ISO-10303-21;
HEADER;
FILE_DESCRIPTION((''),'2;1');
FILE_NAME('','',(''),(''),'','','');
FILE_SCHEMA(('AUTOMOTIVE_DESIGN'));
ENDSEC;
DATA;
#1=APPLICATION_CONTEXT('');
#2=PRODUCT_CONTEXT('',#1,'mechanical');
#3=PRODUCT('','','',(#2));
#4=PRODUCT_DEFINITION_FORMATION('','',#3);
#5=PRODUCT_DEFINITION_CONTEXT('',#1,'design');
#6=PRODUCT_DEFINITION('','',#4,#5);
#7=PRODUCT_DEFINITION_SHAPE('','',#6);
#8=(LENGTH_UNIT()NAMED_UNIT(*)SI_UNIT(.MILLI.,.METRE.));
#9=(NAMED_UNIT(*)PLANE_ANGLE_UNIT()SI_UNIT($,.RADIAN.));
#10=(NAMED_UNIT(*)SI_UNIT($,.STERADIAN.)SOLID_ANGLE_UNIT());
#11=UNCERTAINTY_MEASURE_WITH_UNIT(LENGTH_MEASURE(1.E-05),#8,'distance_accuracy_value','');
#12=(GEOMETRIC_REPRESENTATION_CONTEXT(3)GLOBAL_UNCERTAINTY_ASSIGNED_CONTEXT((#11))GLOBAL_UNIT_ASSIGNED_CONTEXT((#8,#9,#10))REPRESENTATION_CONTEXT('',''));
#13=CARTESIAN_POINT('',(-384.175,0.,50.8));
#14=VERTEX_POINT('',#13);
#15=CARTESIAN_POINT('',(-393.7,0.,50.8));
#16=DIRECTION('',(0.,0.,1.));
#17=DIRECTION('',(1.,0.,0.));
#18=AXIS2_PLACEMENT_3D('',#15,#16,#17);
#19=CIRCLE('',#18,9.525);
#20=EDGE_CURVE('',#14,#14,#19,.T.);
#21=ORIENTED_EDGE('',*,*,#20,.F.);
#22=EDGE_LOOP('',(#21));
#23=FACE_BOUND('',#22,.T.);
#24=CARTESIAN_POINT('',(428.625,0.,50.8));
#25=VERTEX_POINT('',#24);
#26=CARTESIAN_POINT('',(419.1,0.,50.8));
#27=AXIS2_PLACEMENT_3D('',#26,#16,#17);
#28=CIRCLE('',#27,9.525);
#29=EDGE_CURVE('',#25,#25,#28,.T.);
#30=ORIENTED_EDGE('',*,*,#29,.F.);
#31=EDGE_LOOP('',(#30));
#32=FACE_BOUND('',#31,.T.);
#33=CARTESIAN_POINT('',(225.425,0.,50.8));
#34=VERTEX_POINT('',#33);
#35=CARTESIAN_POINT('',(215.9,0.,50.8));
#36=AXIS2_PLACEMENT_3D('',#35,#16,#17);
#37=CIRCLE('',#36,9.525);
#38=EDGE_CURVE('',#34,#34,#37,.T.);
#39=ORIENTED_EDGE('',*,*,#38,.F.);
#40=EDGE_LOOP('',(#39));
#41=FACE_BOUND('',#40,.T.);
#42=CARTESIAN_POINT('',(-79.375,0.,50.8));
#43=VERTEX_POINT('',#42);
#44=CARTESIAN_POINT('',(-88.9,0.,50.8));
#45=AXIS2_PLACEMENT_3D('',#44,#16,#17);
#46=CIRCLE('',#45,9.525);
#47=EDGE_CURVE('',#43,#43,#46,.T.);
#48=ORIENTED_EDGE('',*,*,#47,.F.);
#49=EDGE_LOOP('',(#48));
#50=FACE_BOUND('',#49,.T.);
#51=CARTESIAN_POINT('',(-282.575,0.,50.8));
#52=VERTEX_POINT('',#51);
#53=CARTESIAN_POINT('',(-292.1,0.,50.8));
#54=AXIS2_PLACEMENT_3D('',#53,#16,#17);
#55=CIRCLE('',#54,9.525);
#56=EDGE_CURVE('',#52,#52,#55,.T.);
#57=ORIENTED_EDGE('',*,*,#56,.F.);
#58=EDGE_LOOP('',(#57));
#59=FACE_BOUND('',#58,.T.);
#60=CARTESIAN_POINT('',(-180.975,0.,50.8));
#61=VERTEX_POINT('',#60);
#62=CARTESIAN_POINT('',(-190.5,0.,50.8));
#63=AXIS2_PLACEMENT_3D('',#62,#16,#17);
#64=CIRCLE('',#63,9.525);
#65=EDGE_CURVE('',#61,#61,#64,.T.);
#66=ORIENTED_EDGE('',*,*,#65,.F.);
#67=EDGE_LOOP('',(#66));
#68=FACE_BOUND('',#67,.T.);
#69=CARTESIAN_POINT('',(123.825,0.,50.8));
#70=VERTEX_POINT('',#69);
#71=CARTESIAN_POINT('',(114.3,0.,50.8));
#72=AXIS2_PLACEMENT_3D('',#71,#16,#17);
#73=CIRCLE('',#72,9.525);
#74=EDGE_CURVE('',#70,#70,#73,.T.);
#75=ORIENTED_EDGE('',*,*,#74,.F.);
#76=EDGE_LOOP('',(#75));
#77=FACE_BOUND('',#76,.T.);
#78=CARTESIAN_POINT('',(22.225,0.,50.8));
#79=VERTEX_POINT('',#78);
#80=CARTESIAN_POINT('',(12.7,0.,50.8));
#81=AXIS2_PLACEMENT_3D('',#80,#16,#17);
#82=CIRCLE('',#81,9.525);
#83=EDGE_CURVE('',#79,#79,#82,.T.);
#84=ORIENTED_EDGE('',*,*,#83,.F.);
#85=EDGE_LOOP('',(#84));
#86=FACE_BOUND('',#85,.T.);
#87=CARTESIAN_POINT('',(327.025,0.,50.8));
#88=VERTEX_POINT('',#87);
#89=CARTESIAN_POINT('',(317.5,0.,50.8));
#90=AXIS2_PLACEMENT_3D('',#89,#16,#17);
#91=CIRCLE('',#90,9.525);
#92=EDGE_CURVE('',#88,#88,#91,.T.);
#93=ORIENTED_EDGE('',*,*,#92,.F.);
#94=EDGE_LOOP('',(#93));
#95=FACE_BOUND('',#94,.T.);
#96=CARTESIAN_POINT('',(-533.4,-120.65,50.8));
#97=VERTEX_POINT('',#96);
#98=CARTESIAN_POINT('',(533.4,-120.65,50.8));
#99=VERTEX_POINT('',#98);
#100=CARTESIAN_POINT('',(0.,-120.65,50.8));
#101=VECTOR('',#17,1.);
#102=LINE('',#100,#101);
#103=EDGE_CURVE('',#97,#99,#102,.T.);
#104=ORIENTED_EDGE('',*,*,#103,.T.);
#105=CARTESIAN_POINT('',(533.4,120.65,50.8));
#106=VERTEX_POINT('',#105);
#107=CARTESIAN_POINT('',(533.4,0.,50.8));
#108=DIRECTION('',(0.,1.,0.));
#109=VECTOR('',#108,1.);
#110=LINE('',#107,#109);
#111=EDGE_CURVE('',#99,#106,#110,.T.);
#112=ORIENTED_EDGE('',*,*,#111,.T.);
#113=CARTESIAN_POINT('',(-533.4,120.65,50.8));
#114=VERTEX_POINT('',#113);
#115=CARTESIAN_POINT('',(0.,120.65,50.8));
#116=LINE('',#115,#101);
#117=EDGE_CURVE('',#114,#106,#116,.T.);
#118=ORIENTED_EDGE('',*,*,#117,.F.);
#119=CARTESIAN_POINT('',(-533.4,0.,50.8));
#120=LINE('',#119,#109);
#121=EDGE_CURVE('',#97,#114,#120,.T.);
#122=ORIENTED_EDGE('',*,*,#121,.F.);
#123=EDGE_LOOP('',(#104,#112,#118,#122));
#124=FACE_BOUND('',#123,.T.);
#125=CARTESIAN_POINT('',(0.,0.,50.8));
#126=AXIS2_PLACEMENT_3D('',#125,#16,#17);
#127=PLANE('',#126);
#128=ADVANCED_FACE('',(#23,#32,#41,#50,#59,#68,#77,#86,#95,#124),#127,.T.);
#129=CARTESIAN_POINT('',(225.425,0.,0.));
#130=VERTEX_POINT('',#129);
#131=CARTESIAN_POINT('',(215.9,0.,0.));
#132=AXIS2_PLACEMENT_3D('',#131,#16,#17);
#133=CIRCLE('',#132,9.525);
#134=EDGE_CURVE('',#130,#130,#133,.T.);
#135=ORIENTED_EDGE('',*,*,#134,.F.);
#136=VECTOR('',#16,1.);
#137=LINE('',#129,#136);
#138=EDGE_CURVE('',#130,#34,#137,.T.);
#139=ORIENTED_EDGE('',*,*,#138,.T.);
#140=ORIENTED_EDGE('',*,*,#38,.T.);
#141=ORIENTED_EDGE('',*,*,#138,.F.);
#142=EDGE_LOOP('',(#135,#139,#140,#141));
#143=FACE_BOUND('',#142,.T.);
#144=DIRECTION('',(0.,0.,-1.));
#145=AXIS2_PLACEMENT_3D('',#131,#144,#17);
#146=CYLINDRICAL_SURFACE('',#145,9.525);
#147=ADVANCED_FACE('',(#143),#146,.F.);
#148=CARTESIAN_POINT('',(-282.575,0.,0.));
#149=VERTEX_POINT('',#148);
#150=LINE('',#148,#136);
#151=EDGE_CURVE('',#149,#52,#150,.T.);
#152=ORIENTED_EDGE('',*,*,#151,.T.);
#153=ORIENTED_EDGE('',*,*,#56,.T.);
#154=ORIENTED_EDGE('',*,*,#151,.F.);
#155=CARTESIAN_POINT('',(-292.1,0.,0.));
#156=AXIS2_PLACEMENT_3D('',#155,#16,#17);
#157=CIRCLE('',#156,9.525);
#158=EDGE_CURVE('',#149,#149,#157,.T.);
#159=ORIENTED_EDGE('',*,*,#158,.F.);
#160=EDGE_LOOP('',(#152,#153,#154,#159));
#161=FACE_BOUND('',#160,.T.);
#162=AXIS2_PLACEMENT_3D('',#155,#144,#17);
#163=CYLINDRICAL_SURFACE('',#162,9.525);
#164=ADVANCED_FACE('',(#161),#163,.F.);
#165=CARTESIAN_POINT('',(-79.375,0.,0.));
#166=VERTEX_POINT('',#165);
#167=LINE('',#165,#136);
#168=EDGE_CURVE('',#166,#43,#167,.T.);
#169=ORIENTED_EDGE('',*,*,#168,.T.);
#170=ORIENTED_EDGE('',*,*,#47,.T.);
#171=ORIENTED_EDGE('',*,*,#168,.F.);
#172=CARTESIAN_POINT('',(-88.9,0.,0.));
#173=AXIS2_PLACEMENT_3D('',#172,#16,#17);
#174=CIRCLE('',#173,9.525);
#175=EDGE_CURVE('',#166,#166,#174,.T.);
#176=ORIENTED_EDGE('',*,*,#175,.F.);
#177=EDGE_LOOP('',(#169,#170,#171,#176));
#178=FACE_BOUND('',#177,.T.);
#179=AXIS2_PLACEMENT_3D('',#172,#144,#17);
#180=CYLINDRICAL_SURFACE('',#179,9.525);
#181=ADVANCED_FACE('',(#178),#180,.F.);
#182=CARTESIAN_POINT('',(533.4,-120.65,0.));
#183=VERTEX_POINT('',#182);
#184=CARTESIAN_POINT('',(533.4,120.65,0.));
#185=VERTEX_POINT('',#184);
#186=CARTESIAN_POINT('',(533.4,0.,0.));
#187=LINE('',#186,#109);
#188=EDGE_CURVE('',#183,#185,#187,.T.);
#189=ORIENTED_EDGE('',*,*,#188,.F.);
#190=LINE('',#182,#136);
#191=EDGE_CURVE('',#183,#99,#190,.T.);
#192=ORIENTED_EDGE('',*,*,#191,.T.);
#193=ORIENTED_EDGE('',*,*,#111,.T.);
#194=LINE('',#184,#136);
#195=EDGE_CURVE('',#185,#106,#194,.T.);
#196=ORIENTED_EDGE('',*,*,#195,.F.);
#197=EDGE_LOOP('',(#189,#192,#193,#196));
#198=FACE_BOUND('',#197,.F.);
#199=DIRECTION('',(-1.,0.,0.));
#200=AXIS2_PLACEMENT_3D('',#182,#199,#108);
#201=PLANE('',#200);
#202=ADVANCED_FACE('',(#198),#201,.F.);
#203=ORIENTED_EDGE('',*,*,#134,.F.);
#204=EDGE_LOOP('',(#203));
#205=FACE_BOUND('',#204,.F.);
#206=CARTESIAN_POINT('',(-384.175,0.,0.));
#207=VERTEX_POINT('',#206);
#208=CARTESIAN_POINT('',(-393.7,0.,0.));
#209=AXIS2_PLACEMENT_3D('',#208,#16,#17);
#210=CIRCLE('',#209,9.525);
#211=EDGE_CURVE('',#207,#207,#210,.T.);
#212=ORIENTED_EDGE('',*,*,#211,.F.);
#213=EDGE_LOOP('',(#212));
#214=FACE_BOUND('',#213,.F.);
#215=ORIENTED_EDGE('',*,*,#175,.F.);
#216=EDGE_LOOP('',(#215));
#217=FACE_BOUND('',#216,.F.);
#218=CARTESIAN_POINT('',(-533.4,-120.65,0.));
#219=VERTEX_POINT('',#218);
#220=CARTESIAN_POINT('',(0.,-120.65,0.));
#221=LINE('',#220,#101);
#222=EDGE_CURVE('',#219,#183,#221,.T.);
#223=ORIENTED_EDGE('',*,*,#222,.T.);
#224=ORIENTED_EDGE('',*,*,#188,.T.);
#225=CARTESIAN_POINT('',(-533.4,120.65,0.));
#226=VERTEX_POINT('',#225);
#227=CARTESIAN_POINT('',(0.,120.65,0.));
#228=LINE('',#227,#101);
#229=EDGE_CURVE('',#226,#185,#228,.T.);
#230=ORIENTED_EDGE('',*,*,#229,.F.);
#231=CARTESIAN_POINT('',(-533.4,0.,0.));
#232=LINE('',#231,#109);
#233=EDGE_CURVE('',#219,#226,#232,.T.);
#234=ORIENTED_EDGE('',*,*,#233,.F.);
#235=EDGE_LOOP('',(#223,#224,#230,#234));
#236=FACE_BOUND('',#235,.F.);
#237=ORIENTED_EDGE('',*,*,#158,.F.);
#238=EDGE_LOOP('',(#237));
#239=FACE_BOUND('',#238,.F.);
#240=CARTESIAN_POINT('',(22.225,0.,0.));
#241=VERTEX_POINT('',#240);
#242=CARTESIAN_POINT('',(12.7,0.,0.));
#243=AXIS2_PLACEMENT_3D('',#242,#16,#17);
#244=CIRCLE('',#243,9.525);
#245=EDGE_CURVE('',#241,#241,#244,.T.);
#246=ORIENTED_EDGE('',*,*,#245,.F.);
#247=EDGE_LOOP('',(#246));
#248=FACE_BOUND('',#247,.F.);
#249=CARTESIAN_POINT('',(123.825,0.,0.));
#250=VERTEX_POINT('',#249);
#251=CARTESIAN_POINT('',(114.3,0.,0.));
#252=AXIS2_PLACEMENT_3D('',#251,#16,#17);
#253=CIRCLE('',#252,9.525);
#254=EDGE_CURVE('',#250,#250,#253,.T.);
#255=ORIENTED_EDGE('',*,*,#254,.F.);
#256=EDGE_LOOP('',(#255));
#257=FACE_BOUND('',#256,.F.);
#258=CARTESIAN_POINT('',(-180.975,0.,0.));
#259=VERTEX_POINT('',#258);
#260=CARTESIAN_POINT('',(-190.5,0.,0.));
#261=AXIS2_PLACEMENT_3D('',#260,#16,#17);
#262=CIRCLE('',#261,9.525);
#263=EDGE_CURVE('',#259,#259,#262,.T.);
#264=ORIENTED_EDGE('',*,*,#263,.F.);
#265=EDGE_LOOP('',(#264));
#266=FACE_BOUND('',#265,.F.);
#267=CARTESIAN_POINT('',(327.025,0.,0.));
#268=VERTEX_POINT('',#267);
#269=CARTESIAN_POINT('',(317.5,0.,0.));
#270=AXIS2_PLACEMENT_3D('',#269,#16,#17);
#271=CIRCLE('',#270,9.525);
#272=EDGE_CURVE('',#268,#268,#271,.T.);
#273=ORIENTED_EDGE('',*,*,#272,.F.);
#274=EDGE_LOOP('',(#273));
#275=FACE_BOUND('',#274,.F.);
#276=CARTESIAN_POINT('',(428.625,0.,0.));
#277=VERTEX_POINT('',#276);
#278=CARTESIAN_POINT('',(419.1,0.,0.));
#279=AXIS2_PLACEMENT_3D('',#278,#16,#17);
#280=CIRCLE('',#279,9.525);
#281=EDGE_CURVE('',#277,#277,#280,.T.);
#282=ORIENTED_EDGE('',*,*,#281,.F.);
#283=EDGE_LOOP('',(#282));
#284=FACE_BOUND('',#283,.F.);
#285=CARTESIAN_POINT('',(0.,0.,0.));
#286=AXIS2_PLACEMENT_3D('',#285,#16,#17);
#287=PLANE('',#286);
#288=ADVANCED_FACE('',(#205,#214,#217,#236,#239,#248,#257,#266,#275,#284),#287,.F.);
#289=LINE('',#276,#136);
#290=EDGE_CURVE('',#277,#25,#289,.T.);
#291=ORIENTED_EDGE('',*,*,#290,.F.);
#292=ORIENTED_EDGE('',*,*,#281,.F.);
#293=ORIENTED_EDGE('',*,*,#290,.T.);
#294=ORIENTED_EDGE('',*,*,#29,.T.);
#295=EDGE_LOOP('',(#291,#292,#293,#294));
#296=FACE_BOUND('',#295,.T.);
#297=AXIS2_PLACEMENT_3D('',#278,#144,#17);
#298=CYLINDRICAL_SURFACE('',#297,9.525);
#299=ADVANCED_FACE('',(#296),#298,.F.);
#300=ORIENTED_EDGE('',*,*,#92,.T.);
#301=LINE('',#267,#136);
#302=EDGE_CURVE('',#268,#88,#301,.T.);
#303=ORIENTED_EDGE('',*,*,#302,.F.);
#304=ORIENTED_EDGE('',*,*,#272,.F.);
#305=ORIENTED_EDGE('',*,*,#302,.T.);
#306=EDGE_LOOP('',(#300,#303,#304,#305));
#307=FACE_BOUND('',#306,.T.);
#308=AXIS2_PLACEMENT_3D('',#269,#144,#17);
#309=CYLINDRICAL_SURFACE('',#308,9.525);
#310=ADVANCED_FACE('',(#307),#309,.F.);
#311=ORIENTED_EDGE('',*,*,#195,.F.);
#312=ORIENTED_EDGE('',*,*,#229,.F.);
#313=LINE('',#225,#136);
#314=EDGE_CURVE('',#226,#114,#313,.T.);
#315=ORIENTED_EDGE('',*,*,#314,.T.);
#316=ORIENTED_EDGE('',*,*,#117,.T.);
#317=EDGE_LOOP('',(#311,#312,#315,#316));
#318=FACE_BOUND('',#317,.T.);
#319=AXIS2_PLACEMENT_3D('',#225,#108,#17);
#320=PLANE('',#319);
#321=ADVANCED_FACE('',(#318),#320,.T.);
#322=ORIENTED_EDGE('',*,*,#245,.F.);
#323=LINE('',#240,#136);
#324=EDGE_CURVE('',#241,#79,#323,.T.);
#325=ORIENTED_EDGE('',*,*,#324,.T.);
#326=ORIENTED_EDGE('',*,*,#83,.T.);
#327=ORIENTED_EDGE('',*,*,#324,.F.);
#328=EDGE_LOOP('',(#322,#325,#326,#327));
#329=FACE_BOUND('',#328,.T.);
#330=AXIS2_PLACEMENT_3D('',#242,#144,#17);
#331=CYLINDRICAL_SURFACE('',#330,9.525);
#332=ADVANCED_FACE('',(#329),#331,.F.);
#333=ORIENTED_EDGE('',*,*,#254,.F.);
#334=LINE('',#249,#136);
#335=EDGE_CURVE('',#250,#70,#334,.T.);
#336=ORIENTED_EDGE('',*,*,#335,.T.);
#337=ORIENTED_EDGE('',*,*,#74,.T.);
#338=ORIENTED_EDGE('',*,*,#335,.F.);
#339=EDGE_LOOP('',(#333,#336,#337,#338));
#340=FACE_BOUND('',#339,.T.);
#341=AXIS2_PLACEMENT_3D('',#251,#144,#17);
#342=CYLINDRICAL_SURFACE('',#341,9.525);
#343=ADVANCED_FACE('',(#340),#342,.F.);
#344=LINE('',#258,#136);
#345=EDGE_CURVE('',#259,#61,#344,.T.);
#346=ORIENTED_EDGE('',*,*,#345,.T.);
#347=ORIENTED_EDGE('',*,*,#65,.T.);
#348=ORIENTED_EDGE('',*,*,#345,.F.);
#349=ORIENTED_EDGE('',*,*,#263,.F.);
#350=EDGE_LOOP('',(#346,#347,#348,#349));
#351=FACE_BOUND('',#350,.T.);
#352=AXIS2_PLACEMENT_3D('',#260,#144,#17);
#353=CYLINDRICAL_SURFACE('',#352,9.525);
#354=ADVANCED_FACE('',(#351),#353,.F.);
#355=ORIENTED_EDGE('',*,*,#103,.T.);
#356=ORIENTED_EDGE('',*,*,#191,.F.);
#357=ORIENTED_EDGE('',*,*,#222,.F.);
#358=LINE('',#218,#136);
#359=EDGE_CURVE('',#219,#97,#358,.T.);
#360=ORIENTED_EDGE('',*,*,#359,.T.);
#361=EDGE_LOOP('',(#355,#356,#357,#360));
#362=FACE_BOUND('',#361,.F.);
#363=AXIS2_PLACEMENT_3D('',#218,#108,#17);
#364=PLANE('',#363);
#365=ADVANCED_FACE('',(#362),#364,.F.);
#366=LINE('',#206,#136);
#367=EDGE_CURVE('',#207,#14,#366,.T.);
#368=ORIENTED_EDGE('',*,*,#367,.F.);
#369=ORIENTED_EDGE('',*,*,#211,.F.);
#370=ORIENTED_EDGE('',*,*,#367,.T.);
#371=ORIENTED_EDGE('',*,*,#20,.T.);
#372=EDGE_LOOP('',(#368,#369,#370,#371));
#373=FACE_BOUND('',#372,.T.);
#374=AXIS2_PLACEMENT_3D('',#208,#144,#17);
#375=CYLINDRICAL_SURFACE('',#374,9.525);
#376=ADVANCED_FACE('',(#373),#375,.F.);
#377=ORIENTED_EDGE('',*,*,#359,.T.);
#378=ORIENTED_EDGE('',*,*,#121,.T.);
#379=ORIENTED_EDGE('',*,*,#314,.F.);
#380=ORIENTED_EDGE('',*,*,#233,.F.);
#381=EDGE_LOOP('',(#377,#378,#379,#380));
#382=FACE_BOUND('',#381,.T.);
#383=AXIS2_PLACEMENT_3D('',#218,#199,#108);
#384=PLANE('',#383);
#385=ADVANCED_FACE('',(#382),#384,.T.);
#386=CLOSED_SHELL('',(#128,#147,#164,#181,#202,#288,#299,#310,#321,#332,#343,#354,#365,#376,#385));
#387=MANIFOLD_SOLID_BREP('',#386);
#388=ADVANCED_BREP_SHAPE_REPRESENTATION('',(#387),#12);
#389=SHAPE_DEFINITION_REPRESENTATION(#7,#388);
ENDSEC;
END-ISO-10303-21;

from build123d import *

# Parameters (mm, degrees)
F0_W     = 1066.8
F0_H     = 241.3
F0_R     = 9.525
F1_DEPTH = 50.8


with BuildPart() as f1:
    # F0 (on Top) → F1 (new body)
    with BuildSketch(Plane.XY):
        Rectangle(F0_W, F0_H)
        with Locations((-393.7, 0)):
            Circle(F0_R, mode=Mode.SUBTRACT)
        with Locations((-292.1, 0)):
            Circle(F0_R, mode=Mode.SUBTRACT)
        with Locations((-190.5, 0)):
            Circle(F0_R, mode=Mode.SUBTRACT)
        with Locations((-88.9, 0)):
            Circle(F0_R, mode=Mode.SUBTRACT)
        with Locations((12.7, 0)):
            Circle(F0_R, mode=Mode.SUBTRACT)
        with Locations((114.3, 0)):
            Circle(F0_R, mode=Mode.SUBTRACT)
        with Locations((215.9, 0)):
            Circle(F0_R, mode=Mode.SUBTRACT)
        with Locations((317.5, 0)):
            Circle(F0_R, mode=Mode.SUBTRACT)
        with Locations((419.1, 0)):
            Circle(F0_R, mode=Mode.SUBTRACT)
    extrude(amount=F1_DEPTH)


solid = f1.part
